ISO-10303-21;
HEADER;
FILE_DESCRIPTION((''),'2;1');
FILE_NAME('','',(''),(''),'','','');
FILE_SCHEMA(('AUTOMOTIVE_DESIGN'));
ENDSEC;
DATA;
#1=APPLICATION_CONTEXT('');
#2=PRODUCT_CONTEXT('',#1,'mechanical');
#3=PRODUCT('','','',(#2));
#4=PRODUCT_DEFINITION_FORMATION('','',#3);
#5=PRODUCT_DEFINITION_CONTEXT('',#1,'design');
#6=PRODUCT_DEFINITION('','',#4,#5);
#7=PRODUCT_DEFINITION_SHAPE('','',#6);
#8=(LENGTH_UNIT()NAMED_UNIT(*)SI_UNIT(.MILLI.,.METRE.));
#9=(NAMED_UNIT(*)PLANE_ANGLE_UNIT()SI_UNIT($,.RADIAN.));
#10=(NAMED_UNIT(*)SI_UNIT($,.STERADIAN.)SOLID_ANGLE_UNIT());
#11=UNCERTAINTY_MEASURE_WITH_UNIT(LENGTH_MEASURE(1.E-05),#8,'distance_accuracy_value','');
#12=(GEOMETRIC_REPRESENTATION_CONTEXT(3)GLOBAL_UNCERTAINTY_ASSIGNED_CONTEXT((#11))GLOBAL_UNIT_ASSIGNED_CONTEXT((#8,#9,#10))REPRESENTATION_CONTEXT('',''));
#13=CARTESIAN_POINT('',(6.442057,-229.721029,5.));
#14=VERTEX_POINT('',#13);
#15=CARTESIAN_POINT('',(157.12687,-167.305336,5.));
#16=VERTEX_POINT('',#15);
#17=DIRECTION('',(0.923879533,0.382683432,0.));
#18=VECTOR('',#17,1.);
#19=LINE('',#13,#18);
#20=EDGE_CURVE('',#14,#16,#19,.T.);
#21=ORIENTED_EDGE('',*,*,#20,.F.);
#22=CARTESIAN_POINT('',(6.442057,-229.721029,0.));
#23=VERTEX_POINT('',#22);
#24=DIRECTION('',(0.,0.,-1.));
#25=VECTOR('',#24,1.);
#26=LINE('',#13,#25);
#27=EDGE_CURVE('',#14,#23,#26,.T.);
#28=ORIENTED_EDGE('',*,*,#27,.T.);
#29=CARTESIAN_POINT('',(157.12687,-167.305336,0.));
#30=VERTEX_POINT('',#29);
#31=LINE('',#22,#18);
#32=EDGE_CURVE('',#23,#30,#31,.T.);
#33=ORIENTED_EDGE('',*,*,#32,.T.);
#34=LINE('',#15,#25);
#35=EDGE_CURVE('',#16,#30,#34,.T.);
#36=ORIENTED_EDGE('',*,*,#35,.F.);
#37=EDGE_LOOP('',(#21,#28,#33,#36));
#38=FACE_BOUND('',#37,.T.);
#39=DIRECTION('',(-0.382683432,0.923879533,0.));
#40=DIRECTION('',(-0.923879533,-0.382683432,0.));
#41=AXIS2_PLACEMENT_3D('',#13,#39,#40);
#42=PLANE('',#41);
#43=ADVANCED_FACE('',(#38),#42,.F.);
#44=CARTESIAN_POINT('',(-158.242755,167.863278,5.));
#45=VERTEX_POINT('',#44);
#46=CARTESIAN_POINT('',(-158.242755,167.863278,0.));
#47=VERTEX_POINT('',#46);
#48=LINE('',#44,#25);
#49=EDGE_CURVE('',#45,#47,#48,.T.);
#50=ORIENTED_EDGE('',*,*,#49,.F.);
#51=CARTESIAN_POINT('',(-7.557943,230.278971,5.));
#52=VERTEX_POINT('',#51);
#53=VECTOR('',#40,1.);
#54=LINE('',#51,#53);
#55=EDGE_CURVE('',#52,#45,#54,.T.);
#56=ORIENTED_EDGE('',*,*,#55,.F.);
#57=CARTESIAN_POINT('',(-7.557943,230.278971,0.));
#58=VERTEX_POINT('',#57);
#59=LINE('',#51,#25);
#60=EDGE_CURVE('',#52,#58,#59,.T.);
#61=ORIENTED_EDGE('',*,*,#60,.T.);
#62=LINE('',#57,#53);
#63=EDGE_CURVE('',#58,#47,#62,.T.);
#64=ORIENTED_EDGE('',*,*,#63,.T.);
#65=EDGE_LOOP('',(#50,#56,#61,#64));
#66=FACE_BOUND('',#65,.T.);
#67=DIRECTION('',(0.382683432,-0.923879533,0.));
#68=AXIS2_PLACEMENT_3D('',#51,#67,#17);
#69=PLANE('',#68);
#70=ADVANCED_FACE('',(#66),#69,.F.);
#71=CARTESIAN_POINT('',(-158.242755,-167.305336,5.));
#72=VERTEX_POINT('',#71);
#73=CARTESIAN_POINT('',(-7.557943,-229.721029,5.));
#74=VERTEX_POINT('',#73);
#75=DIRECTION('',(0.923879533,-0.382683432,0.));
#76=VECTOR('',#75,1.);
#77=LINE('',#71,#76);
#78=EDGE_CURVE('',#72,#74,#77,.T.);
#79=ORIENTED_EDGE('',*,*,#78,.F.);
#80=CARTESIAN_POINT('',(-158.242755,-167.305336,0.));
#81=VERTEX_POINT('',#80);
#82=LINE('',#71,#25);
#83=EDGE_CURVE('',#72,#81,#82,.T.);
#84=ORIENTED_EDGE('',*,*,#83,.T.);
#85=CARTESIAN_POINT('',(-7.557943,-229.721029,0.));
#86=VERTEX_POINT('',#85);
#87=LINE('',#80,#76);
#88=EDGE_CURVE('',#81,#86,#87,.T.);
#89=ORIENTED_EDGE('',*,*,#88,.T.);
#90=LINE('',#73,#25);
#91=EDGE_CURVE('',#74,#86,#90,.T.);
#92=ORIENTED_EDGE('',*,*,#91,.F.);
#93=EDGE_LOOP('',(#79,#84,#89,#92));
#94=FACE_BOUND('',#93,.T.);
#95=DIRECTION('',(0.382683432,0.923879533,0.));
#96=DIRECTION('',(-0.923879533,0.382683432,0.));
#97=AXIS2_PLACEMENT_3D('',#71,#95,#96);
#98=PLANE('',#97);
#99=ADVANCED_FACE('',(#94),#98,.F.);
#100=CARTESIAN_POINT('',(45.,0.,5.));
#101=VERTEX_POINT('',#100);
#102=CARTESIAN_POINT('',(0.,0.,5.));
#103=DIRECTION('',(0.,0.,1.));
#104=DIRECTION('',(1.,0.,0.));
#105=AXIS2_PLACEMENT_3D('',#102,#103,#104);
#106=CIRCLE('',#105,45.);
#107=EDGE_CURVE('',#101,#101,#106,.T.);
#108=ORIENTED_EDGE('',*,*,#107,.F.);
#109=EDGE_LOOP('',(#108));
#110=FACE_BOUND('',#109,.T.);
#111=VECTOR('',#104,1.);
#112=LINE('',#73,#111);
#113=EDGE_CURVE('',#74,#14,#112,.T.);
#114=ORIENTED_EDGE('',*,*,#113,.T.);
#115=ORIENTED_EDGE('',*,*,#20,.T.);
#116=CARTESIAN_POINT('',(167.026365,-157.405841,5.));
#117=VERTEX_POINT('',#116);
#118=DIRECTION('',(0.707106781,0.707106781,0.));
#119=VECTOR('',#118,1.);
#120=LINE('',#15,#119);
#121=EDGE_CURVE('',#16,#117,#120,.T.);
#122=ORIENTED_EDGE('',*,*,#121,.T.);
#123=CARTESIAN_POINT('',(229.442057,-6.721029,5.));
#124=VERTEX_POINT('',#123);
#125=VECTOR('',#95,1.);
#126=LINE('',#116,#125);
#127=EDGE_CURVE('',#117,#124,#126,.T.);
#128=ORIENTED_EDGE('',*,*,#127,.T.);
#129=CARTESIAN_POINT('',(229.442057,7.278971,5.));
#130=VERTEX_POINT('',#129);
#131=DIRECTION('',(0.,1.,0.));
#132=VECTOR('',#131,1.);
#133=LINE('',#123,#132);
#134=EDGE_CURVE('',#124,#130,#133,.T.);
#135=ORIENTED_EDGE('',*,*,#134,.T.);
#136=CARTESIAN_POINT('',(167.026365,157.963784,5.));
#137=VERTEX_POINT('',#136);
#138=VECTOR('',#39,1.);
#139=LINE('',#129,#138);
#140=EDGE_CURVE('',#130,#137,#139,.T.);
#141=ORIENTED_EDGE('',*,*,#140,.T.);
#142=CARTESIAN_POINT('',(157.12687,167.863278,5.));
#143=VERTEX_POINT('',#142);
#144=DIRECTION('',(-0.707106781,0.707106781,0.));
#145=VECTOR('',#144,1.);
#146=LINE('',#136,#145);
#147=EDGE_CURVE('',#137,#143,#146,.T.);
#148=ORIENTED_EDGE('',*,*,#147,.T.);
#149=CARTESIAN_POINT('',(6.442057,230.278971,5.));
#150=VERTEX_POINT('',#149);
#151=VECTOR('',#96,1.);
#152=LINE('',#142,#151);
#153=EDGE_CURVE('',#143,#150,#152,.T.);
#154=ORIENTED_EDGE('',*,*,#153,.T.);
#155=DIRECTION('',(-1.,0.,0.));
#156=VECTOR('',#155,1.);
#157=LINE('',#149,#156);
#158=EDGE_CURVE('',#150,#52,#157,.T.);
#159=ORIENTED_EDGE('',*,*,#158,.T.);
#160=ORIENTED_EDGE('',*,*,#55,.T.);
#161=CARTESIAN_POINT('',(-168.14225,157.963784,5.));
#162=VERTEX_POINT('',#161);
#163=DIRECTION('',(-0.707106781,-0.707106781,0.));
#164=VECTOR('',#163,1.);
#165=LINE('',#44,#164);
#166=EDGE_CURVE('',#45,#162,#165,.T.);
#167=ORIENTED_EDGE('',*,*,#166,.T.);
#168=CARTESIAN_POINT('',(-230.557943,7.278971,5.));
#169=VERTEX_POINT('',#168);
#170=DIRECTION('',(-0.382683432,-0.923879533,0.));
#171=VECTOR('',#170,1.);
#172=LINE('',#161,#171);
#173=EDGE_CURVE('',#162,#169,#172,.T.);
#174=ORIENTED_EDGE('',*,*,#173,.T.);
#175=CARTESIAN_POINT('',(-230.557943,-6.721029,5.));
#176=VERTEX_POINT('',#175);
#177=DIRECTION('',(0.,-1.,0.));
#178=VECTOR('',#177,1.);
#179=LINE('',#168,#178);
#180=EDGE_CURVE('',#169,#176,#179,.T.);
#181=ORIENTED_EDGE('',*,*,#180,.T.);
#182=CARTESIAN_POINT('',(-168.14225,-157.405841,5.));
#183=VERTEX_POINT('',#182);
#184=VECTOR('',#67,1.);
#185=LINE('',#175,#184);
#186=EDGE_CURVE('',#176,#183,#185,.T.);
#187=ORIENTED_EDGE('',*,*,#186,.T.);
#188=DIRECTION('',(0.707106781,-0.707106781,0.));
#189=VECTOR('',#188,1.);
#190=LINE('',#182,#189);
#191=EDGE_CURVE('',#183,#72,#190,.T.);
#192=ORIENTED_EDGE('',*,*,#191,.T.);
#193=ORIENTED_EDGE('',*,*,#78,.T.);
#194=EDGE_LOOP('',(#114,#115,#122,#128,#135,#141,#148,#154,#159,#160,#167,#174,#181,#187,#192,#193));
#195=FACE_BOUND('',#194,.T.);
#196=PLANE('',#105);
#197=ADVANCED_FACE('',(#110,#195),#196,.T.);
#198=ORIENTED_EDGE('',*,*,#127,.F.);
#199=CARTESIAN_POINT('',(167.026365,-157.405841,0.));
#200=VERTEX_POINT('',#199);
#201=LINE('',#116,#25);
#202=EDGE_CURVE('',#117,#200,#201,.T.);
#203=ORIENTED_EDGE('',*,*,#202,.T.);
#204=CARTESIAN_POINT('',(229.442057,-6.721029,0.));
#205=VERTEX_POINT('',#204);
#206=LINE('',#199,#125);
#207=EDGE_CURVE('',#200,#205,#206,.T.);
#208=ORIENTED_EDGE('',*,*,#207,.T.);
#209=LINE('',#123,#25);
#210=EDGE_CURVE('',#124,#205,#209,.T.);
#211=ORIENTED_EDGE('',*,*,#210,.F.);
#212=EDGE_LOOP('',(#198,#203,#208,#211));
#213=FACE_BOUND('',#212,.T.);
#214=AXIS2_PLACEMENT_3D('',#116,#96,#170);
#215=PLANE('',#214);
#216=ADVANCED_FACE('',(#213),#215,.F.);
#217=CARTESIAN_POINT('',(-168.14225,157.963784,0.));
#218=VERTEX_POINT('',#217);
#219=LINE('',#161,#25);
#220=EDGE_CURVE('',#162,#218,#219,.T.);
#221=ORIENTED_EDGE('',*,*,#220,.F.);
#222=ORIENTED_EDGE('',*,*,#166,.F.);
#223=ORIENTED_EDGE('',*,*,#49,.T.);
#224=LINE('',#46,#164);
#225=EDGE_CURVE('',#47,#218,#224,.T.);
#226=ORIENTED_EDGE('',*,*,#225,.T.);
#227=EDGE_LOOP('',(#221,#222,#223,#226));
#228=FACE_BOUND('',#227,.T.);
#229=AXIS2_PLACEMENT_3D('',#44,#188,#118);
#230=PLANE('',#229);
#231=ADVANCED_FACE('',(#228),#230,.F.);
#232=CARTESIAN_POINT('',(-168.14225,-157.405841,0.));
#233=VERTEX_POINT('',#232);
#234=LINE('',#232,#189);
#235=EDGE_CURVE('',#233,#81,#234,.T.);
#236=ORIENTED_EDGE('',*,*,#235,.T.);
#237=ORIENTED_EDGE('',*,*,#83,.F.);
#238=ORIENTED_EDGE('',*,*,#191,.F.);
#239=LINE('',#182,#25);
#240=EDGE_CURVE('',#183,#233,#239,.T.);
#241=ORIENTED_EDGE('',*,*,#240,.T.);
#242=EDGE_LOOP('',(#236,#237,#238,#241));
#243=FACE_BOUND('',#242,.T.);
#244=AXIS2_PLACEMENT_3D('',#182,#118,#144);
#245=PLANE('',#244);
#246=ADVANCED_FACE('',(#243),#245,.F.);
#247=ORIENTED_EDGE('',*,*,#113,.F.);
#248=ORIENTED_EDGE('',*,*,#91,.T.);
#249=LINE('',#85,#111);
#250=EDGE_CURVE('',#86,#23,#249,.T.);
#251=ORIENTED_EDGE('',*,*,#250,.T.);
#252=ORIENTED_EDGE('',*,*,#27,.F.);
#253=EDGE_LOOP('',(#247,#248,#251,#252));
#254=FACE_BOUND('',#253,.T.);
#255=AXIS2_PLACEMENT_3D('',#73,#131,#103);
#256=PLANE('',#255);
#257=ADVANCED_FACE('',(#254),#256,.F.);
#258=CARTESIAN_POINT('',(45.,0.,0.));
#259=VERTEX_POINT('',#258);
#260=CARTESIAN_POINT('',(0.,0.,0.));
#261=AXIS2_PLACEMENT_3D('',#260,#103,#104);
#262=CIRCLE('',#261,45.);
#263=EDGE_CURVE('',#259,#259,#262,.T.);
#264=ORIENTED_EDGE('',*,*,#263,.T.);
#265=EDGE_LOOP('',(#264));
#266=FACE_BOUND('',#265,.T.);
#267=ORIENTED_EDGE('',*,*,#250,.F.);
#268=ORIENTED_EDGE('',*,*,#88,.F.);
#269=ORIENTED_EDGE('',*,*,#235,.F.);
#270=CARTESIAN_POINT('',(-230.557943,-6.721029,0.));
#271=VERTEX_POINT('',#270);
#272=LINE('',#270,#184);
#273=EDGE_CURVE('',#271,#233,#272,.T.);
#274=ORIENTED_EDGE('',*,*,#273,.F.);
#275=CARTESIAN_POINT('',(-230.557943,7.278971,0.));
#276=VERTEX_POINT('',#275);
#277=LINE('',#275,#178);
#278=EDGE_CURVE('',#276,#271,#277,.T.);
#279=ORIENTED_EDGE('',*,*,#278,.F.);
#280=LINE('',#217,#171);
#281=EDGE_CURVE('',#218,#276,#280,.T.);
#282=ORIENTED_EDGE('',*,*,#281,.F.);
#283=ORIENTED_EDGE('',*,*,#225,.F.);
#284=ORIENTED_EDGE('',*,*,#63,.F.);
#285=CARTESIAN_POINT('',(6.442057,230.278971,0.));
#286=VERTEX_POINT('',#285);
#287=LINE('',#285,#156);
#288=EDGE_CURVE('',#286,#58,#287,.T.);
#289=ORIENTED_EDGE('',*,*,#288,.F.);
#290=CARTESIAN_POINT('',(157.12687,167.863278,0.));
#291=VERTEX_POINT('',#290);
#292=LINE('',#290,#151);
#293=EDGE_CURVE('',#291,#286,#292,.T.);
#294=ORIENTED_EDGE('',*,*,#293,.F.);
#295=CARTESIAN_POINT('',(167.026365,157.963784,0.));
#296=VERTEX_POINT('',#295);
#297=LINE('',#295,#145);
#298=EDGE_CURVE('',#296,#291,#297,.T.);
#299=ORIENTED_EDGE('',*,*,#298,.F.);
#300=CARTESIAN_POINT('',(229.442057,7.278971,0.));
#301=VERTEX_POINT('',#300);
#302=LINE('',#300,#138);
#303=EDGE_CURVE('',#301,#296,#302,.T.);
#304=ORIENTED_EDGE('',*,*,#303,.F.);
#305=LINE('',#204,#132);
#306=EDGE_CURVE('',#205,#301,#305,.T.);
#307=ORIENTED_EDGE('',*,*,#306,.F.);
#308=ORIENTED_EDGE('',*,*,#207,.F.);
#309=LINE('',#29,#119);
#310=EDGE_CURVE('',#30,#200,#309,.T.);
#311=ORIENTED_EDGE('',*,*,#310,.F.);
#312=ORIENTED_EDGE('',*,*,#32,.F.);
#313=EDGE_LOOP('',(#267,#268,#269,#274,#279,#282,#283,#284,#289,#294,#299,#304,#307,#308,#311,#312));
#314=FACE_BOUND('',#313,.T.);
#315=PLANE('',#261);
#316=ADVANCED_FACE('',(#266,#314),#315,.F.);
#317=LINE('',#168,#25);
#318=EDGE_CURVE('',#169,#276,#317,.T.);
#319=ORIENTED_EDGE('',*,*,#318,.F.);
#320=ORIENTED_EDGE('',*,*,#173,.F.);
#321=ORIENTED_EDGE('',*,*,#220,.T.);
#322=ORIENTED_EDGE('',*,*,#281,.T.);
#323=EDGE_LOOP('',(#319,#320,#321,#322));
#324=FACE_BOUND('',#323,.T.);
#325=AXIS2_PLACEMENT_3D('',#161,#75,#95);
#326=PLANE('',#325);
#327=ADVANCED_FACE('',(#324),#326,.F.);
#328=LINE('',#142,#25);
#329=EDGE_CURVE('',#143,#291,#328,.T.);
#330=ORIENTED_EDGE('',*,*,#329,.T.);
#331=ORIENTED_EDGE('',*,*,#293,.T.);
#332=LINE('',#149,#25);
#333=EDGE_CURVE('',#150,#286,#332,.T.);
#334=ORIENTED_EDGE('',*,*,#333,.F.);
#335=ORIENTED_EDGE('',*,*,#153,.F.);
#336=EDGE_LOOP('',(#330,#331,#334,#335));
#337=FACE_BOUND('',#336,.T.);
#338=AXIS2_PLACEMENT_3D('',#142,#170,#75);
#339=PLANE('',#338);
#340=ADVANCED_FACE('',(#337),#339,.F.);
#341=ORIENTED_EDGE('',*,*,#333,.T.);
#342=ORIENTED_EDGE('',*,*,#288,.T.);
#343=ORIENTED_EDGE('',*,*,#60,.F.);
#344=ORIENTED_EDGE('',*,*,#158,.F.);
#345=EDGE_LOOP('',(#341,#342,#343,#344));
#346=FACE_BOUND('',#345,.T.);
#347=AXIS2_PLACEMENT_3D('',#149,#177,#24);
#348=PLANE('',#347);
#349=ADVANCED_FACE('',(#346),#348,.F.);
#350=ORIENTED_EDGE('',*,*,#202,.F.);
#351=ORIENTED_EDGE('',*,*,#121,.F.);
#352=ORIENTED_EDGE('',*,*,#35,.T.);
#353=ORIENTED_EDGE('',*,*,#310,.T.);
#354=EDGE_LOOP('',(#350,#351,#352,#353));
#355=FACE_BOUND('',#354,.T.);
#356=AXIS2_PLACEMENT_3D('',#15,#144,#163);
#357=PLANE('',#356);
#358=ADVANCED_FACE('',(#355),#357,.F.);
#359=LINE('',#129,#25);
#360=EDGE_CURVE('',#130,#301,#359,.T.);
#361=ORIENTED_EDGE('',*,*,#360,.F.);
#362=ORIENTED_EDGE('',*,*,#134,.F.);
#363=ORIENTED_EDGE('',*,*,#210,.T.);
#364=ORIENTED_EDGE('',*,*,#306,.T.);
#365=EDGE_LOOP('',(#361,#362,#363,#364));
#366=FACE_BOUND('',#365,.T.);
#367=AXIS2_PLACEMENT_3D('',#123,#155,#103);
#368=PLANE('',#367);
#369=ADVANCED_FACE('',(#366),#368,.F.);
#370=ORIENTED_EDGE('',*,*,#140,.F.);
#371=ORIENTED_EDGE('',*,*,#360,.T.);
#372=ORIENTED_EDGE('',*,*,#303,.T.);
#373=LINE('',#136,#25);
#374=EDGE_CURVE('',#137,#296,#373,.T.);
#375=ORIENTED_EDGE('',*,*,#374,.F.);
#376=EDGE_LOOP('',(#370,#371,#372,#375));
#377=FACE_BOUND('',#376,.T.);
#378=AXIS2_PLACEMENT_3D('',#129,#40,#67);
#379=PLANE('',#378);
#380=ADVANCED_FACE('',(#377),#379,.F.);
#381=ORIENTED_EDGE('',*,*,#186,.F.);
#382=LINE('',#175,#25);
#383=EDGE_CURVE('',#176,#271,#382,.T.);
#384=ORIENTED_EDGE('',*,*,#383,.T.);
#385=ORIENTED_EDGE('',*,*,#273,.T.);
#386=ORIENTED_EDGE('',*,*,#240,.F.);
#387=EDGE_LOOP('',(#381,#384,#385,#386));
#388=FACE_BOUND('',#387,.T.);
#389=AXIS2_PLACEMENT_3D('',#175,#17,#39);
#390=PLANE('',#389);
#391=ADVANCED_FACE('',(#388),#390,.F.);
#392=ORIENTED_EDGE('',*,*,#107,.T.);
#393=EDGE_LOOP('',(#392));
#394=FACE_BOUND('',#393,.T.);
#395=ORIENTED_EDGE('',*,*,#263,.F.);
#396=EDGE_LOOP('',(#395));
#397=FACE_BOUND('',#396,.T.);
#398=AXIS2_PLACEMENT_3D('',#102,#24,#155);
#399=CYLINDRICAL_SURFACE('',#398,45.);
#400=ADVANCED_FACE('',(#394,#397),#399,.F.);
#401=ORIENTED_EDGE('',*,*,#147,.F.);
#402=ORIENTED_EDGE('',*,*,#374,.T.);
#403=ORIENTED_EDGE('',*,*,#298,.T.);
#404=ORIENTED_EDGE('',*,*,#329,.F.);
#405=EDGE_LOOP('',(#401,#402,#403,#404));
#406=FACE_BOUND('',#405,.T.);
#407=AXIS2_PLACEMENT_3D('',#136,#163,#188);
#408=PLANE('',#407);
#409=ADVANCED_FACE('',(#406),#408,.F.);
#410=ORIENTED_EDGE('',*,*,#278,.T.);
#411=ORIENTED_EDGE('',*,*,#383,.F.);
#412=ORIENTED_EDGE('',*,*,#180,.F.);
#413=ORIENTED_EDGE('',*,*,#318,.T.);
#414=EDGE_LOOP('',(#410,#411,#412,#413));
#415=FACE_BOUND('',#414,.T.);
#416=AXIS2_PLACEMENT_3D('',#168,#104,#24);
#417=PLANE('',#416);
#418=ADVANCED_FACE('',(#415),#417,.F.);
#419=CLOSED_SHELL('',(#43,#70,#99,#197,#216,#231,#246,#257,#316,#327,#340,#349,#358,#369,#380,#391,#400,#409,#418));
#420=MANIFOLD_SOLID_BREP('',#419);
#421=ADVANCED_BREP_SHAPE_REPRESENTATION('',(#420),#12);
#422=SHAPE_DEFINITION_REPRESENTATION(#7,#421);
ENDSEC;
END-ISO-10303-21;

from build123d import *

# Parameters (mm, degrees)
SKETCH1_R           = 45
BOSS_EXTRUDE1_DEPTH = 5


with BuildPart() as part:
    # Sketch1 → Boss-Extrude1 (new body)
    with BuildSketch(Plane.XY):
        Polygon((-230.557942617, -6.721028691), (-168.142249758, -157.405840896), (-158.242754822, -167.305335833), (-7.557942617, -229.721028692), (6.442057383, -229.721028692), (157.126869588, -167.305335833), (167.026364524, -157.405840896), (229.442057383, -6.721028691), (229.442057383, 7.278971309), (167.026364524, 157.963783513), (157.126869588, 167.86327845), (6.442057383, 230.278971308), (-7.557942617, 230.278971308), (-158.242754822, 167.86327845), (-168.142249758, 157.963783513), (-230.557942617, 7.278971308), align=None)
        Circle(SKETCH1_R, mode=Mode.SUBTRACT)
    extrude(amount=BOSS_EXTRUDE1_DEPTH)


solid = part.part
